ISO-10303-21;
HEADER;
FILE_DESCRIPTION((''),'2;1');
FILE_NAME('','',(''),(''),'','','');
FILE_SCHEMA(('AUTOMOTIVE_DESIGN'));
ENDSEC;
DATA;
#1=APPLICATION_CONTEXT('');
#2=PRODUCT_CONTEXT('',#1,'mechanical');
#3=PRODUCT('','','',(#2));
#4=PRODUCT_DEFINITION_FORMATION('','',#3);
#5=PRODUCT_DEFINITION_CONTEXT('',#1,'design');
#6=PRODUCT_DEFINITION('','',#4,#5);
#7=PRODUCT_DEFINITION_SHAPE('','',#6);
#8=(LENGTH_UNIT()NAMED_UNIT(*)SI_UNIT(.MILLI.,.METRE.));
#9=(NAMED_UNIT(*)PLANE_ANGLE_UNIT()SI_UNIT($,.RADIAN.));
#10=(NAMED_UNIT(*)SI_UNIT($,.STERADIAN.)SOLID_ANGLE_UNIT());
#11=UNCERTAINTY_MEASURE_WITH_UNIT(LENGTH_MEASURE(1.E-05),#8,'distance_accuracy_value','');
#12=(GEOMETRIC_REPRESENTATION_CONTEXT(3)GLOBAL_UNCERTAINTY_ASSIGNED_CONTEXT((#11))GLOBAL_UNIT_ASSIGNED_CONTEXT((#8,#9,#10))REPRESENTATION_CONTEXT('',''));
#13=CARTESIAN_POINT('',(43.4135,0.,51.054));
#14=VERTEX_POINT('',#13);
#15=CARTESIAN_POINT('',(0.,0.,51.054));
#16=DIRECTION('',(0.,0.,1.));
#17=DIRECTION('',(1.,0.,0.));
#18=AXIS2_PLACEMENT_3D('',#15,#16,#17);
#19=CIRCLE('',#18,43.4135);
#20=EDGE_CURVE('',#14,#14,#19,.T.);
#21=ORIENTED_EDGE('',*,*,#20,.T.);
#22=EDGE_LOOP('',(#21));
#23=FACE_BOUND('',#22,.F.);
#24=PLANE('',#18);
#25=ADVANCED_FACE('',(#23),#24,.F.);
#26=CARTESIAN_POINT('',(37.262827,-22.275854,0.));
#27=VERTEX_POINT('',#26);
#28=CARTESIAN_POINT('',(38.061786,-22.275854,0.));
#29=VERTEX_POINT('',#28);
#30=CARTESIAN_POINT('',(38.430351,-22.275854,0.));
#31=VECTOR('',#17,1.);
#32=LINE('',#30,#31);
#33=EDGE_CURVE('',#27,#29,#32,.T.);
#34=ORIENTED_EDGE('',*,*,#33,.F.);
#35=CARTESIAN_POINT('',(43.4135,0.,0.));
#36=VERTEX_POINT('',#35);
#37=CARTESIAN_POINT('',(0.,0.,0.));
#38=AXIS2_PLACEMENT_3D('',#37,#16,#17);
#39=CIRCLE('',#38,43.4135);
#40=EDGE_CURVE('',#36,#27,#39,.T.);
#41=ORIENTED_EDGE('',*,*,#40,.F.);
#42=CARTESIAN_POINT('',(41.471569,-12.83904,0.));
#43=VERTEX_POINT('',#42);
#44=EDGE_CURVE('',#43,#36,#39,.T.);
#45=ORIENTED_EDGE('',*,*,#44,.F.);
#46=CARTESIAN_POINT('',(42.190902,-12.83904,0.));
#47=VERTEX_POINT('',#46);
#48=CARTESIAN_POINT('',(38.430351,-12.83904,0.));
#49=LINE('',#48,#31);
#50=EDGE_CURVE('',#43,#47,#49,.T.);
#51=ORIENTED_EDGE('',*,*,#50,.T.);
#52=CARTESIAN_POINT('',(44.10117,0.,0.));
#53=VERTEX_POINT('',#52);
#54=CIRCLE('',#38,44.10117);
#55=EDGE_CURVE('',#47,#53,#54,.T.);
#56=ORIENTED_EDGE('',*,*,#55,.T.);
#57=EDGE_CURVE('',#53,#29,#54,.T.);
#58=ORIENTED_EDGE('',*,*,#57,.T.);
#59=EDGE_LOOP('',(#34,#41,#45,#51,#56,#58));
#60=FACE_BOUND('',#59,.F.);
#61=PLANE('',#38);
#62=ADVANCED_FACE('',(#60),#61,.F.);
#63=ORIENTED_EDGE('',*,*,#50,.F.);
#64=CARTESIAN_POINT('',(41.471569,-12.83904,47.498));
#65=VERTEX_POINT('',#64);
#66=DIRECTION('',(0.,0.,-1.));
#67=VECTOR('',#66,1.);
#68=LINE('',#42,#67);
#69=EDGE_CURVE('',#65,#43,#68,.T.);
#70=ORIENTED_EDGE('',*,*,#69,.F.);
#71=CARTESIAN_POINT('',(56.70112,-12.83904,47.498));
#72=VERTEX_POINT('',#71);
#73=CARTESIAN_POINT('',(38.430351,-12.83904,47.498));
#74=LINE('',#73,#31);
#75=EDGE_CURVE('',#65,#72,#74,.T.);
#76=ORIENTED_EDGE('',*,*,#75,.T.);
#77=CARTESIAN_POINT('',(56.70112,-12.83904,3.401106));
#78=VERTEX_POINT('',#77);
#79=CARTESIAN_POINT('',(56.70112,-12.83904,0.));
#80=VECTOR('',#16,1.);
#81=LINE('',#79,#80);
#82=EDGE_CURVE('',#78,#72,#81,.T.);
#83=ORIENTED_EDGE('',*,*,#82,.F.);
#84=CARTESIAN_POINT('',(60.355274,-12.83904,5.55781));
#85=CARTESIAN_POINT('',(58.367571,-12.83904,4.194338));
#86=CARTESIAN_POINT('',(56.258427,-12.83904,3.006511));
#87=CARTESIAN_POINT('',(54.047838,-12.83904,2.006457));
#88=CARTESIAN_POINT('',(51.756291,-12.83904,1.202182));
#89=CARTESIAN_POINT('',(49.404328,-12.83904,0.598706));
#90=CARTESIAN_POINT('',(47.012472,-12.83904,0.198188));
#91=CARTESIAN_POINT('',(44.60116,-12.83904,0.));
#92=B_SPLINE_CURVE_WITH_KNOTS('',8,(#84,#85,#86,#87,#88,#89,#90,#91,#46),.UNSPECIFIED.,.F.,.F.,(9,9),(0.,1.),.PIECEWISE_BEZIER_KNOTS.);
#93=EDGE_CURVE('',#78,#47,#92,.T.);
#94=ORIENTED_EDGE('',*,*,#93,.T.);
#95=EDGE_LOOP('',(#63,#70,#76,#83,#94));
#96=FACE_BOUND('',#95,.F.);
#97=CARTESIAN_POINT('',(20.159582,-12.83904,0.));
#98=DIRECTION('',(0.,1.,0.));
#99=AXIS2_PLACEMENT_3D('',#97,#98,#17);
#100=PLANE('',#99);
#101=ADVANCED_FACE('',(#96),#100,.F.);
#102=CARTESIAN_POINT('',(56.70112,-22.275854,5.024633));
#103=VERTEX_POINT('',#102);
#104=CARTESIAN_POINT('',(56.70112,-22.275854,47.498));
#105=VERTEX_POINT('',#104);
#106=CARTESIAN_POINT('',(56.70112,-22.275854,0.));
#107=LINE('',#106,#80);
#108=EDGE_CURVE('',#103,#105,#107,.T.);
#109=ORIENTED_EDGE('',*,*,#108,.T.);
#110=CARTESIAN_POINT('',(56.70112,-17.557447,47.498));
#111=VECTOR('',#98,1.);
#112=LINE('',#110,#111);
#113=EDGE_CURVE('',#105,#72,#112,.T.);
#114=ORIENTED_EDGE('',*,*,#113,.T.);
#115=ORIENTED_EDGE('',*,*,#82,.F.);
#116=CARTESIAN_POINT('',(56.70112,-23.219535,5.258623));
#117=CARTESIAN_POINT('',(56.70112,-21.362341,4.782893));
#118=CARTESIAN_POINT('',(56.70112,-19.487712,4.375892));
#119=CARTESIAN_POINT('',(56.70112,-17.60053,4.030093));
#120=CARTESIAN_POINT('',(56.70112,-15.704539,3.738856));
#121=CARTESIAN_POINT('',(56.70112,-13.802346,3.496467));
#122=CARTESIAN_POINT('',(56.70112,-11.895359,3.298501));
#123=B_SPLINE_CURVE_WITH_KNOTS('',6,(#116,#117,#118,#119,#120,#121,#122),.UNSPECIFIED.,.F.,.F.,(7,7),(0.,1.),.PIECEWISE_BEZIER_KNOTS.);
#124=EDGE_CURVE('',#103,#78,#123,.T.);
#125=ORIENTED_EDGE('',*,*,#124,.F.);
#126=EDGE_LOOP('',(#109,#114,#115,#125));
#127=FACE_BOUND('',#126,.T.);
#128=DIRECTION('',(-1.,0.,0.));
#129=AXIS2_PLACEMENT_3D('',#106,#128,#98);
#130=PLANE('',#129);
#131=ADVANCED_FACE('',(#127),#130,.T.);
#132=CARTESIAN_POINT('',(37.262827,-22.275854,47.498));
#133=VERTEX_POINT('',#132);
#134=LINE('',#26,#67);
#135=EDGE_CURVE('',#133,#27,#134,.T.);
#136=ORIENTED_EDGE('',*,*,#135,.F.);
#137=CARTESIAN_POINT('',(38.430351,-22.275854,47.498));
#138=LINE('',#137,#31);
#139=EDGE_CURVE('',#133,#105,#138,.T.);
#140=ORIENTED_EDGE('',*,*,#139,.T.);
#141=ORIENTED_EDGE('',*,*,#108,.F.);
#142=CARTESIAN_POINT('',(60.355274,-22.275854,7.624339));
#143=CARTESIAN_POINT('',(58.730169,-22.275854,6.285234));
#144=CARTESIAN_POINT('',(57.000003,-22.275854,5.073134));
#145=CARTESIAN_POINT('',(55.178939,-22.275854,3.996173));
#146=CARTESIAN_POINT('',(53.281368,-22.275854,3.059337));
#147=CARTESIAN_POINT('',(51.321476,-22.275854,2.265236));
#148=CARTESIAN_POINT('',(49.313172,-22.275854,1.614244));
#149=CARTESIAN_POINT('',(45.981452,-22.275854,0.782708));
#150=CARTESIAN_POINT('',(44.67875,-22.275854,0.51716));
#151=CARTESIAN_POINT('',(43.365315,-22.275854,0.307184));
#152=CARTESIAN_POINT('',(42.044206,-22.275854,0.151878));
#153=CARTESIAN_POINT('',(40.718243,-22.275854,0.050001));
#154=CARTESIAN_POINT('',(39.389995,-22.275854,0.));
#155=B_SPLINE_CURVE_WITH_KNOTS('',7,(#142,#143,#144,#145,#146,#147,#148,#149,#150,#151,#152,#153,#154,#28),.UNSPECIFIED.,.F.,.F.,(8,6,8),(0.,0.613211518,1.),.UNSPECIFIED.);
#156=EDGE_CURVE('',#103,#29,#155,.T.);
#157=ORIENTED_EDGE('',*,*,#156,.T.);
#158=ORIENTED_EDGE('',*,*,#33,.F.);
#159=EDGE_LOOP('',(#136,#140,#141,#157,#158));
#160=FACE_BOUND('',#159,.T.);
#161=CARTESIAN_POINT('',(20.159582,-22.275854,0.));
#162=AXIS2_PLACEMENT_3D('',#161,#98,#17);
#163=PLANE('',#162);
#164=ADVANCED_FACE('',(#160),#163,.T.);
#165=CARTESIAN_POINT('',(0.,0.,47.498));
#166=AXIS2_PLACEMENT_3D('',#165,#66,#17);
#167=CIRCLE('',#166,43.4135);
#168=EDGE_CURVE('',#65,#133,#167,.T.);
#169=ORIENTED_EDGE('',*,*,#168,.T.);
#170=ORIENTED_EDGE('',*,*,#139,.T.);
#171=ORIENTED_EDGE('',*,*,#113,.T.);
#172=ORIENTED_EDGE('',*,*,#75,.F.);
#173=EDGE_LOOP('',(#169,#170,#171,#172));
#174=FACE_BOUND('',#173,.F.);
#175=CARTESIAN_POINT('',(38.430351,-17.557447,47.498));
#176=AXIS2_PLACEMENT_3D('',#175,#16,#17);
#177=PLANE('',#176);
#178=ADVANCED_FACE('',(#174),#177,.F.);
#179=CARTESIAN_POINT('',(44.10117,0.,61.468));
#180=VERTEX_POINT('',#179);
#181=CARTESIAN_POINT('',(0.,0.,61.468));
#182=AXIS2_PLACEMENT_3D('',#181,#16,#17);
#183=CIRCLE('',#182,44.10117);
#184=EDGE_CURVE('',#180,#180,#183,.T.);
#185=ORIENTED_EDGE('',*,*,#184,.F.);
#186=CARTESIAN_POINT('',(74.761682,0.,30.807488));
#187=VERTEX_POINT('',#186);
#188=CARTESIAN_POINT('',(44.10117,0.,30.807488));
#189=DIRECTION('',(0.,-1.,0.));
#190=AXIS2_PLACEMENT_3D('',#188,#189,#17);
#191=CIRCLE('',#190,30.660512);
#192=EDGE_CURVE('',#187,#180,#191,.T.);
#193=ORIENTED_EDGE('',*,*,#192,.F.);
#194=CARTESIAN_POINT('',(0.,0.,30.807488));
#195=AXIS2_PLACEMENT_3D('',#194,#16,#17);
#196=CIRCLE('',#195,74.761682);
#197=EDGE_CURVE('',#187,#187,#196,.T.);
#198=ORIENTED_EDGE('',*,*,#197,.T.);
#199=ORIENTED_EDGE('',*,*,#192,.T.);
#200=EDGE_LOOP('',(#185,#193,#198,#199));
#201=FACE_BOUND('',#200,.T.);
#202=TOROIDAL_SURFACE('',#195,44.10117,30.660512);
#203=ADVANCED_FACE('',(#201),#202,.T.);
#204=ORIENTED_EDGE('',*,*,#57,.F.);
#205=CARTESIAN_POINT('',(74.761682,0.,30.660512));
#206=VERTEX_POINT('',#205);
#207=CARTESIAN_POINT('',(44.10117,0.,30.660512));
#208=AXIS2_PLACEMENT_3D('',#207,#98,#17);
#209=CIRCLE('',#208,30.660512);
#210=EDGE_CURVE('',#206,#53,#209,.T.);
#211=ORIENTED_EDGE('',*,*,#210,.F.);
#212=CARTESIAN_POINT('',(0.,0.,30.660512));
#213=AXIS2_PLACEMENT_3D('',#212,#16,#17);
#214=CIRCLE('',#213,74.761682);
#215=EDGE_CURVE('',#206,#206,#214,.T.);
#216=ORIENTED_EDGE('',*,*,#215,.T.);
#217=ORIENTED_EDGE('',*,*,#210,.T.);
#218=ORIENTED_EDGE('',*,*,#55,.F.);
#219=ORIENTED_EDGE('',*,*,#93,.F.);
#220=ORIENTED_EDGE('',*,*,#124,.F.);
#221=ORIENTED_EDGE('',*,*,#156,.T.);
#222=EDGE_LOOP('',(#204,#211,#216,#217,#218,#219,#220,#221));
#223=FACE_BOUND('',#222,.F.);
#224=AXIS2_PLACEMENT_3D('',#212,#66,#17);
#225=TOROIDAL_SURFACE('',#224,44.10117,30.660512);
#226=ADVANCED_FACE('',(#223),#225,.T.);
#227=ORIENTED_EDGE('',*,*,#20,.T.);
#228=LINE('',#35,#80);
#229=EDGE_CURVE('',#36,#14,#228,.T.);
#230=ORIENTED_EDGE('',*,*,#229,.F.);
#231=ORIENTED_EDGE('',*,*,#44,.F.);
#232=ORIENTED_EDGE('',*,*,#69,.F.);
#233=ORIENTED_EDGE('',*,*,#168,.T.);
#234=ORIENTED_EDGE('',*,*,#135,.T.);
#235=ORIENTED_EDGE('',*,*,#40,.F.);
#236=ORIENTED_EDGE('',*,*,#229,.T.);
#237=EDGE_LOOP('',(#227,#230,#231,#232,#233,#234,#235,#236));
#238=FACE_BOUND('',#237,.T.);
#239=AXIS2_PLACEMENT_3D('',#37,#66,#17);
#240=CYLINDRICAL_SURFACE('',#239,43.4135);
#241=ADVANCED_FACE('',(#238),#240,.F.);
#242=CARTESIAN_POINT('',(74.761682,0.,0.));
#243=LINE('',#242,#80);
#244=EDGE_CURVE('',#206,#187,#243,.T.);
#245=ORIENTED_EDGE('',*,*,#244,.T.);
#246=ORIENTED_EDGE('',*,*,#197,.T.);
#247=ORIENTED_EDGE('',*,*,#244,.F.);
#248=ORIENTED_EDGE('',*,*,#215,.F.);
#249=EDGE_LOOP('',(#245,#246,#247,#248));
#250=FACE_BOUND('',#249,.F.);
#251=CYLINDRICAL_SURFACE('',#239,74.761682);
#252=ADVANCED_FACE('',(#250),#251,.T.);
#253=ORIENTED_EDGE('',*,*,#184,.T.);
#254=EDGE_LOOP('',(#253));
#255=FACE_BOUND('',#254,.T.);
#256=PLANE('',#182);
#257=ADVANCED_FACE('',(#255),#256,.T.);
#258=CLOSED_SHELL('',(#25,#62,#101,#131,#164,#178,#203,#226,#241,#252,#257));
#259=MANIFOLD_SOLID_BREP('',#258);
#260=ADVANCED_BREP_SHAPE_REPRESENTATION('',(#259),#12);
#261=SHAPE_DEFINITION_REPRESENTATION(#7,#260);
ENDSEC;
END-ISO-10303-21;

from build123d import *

# Parameters (mm, degrees)
F0_R     = 74.761682
F1_DEPTH = 61.468
F2_R     = 43.4135
F3_DEPTH = 51.054
F4_R     = 30.660512
F5_W     = 36.541538
F5_H     = 9.436814
F6_DEPTH = 47.498


with BuildPart() as f1:
    # F0 (on Top) → F1 (new body)
    with BuildSketch(Plane.XY):
        Circle(F0_R)
    extrude(amount=F1_DEPTH)

    # F2 (on Top) → F3 (cut)
    with BuildSketch(Plane.XY):
        Circle(F2_R)
    extrude(amount=F3_DEPTH, mode=Mode.SUBTRACT)

    # F4
    f4_edges = [f1.edges().sort_by_distance(p)[0] for p in [
        (-74.761682, 0, 0),
        (-74.761682, 0, 61.468),
    ]]
    fillet(f4_edges, radius=F4_R)

    # F5 (on Top) → F6 (cut)
    with BuildSketch(Plane.XY):
        with Locations((38.430351, -17.557447)):
            Rectangle(F5_W, F5_H)
    extrude(amount=F6_DEPTH, mode=Mode.SUBTRACT)


solid = f1.part
